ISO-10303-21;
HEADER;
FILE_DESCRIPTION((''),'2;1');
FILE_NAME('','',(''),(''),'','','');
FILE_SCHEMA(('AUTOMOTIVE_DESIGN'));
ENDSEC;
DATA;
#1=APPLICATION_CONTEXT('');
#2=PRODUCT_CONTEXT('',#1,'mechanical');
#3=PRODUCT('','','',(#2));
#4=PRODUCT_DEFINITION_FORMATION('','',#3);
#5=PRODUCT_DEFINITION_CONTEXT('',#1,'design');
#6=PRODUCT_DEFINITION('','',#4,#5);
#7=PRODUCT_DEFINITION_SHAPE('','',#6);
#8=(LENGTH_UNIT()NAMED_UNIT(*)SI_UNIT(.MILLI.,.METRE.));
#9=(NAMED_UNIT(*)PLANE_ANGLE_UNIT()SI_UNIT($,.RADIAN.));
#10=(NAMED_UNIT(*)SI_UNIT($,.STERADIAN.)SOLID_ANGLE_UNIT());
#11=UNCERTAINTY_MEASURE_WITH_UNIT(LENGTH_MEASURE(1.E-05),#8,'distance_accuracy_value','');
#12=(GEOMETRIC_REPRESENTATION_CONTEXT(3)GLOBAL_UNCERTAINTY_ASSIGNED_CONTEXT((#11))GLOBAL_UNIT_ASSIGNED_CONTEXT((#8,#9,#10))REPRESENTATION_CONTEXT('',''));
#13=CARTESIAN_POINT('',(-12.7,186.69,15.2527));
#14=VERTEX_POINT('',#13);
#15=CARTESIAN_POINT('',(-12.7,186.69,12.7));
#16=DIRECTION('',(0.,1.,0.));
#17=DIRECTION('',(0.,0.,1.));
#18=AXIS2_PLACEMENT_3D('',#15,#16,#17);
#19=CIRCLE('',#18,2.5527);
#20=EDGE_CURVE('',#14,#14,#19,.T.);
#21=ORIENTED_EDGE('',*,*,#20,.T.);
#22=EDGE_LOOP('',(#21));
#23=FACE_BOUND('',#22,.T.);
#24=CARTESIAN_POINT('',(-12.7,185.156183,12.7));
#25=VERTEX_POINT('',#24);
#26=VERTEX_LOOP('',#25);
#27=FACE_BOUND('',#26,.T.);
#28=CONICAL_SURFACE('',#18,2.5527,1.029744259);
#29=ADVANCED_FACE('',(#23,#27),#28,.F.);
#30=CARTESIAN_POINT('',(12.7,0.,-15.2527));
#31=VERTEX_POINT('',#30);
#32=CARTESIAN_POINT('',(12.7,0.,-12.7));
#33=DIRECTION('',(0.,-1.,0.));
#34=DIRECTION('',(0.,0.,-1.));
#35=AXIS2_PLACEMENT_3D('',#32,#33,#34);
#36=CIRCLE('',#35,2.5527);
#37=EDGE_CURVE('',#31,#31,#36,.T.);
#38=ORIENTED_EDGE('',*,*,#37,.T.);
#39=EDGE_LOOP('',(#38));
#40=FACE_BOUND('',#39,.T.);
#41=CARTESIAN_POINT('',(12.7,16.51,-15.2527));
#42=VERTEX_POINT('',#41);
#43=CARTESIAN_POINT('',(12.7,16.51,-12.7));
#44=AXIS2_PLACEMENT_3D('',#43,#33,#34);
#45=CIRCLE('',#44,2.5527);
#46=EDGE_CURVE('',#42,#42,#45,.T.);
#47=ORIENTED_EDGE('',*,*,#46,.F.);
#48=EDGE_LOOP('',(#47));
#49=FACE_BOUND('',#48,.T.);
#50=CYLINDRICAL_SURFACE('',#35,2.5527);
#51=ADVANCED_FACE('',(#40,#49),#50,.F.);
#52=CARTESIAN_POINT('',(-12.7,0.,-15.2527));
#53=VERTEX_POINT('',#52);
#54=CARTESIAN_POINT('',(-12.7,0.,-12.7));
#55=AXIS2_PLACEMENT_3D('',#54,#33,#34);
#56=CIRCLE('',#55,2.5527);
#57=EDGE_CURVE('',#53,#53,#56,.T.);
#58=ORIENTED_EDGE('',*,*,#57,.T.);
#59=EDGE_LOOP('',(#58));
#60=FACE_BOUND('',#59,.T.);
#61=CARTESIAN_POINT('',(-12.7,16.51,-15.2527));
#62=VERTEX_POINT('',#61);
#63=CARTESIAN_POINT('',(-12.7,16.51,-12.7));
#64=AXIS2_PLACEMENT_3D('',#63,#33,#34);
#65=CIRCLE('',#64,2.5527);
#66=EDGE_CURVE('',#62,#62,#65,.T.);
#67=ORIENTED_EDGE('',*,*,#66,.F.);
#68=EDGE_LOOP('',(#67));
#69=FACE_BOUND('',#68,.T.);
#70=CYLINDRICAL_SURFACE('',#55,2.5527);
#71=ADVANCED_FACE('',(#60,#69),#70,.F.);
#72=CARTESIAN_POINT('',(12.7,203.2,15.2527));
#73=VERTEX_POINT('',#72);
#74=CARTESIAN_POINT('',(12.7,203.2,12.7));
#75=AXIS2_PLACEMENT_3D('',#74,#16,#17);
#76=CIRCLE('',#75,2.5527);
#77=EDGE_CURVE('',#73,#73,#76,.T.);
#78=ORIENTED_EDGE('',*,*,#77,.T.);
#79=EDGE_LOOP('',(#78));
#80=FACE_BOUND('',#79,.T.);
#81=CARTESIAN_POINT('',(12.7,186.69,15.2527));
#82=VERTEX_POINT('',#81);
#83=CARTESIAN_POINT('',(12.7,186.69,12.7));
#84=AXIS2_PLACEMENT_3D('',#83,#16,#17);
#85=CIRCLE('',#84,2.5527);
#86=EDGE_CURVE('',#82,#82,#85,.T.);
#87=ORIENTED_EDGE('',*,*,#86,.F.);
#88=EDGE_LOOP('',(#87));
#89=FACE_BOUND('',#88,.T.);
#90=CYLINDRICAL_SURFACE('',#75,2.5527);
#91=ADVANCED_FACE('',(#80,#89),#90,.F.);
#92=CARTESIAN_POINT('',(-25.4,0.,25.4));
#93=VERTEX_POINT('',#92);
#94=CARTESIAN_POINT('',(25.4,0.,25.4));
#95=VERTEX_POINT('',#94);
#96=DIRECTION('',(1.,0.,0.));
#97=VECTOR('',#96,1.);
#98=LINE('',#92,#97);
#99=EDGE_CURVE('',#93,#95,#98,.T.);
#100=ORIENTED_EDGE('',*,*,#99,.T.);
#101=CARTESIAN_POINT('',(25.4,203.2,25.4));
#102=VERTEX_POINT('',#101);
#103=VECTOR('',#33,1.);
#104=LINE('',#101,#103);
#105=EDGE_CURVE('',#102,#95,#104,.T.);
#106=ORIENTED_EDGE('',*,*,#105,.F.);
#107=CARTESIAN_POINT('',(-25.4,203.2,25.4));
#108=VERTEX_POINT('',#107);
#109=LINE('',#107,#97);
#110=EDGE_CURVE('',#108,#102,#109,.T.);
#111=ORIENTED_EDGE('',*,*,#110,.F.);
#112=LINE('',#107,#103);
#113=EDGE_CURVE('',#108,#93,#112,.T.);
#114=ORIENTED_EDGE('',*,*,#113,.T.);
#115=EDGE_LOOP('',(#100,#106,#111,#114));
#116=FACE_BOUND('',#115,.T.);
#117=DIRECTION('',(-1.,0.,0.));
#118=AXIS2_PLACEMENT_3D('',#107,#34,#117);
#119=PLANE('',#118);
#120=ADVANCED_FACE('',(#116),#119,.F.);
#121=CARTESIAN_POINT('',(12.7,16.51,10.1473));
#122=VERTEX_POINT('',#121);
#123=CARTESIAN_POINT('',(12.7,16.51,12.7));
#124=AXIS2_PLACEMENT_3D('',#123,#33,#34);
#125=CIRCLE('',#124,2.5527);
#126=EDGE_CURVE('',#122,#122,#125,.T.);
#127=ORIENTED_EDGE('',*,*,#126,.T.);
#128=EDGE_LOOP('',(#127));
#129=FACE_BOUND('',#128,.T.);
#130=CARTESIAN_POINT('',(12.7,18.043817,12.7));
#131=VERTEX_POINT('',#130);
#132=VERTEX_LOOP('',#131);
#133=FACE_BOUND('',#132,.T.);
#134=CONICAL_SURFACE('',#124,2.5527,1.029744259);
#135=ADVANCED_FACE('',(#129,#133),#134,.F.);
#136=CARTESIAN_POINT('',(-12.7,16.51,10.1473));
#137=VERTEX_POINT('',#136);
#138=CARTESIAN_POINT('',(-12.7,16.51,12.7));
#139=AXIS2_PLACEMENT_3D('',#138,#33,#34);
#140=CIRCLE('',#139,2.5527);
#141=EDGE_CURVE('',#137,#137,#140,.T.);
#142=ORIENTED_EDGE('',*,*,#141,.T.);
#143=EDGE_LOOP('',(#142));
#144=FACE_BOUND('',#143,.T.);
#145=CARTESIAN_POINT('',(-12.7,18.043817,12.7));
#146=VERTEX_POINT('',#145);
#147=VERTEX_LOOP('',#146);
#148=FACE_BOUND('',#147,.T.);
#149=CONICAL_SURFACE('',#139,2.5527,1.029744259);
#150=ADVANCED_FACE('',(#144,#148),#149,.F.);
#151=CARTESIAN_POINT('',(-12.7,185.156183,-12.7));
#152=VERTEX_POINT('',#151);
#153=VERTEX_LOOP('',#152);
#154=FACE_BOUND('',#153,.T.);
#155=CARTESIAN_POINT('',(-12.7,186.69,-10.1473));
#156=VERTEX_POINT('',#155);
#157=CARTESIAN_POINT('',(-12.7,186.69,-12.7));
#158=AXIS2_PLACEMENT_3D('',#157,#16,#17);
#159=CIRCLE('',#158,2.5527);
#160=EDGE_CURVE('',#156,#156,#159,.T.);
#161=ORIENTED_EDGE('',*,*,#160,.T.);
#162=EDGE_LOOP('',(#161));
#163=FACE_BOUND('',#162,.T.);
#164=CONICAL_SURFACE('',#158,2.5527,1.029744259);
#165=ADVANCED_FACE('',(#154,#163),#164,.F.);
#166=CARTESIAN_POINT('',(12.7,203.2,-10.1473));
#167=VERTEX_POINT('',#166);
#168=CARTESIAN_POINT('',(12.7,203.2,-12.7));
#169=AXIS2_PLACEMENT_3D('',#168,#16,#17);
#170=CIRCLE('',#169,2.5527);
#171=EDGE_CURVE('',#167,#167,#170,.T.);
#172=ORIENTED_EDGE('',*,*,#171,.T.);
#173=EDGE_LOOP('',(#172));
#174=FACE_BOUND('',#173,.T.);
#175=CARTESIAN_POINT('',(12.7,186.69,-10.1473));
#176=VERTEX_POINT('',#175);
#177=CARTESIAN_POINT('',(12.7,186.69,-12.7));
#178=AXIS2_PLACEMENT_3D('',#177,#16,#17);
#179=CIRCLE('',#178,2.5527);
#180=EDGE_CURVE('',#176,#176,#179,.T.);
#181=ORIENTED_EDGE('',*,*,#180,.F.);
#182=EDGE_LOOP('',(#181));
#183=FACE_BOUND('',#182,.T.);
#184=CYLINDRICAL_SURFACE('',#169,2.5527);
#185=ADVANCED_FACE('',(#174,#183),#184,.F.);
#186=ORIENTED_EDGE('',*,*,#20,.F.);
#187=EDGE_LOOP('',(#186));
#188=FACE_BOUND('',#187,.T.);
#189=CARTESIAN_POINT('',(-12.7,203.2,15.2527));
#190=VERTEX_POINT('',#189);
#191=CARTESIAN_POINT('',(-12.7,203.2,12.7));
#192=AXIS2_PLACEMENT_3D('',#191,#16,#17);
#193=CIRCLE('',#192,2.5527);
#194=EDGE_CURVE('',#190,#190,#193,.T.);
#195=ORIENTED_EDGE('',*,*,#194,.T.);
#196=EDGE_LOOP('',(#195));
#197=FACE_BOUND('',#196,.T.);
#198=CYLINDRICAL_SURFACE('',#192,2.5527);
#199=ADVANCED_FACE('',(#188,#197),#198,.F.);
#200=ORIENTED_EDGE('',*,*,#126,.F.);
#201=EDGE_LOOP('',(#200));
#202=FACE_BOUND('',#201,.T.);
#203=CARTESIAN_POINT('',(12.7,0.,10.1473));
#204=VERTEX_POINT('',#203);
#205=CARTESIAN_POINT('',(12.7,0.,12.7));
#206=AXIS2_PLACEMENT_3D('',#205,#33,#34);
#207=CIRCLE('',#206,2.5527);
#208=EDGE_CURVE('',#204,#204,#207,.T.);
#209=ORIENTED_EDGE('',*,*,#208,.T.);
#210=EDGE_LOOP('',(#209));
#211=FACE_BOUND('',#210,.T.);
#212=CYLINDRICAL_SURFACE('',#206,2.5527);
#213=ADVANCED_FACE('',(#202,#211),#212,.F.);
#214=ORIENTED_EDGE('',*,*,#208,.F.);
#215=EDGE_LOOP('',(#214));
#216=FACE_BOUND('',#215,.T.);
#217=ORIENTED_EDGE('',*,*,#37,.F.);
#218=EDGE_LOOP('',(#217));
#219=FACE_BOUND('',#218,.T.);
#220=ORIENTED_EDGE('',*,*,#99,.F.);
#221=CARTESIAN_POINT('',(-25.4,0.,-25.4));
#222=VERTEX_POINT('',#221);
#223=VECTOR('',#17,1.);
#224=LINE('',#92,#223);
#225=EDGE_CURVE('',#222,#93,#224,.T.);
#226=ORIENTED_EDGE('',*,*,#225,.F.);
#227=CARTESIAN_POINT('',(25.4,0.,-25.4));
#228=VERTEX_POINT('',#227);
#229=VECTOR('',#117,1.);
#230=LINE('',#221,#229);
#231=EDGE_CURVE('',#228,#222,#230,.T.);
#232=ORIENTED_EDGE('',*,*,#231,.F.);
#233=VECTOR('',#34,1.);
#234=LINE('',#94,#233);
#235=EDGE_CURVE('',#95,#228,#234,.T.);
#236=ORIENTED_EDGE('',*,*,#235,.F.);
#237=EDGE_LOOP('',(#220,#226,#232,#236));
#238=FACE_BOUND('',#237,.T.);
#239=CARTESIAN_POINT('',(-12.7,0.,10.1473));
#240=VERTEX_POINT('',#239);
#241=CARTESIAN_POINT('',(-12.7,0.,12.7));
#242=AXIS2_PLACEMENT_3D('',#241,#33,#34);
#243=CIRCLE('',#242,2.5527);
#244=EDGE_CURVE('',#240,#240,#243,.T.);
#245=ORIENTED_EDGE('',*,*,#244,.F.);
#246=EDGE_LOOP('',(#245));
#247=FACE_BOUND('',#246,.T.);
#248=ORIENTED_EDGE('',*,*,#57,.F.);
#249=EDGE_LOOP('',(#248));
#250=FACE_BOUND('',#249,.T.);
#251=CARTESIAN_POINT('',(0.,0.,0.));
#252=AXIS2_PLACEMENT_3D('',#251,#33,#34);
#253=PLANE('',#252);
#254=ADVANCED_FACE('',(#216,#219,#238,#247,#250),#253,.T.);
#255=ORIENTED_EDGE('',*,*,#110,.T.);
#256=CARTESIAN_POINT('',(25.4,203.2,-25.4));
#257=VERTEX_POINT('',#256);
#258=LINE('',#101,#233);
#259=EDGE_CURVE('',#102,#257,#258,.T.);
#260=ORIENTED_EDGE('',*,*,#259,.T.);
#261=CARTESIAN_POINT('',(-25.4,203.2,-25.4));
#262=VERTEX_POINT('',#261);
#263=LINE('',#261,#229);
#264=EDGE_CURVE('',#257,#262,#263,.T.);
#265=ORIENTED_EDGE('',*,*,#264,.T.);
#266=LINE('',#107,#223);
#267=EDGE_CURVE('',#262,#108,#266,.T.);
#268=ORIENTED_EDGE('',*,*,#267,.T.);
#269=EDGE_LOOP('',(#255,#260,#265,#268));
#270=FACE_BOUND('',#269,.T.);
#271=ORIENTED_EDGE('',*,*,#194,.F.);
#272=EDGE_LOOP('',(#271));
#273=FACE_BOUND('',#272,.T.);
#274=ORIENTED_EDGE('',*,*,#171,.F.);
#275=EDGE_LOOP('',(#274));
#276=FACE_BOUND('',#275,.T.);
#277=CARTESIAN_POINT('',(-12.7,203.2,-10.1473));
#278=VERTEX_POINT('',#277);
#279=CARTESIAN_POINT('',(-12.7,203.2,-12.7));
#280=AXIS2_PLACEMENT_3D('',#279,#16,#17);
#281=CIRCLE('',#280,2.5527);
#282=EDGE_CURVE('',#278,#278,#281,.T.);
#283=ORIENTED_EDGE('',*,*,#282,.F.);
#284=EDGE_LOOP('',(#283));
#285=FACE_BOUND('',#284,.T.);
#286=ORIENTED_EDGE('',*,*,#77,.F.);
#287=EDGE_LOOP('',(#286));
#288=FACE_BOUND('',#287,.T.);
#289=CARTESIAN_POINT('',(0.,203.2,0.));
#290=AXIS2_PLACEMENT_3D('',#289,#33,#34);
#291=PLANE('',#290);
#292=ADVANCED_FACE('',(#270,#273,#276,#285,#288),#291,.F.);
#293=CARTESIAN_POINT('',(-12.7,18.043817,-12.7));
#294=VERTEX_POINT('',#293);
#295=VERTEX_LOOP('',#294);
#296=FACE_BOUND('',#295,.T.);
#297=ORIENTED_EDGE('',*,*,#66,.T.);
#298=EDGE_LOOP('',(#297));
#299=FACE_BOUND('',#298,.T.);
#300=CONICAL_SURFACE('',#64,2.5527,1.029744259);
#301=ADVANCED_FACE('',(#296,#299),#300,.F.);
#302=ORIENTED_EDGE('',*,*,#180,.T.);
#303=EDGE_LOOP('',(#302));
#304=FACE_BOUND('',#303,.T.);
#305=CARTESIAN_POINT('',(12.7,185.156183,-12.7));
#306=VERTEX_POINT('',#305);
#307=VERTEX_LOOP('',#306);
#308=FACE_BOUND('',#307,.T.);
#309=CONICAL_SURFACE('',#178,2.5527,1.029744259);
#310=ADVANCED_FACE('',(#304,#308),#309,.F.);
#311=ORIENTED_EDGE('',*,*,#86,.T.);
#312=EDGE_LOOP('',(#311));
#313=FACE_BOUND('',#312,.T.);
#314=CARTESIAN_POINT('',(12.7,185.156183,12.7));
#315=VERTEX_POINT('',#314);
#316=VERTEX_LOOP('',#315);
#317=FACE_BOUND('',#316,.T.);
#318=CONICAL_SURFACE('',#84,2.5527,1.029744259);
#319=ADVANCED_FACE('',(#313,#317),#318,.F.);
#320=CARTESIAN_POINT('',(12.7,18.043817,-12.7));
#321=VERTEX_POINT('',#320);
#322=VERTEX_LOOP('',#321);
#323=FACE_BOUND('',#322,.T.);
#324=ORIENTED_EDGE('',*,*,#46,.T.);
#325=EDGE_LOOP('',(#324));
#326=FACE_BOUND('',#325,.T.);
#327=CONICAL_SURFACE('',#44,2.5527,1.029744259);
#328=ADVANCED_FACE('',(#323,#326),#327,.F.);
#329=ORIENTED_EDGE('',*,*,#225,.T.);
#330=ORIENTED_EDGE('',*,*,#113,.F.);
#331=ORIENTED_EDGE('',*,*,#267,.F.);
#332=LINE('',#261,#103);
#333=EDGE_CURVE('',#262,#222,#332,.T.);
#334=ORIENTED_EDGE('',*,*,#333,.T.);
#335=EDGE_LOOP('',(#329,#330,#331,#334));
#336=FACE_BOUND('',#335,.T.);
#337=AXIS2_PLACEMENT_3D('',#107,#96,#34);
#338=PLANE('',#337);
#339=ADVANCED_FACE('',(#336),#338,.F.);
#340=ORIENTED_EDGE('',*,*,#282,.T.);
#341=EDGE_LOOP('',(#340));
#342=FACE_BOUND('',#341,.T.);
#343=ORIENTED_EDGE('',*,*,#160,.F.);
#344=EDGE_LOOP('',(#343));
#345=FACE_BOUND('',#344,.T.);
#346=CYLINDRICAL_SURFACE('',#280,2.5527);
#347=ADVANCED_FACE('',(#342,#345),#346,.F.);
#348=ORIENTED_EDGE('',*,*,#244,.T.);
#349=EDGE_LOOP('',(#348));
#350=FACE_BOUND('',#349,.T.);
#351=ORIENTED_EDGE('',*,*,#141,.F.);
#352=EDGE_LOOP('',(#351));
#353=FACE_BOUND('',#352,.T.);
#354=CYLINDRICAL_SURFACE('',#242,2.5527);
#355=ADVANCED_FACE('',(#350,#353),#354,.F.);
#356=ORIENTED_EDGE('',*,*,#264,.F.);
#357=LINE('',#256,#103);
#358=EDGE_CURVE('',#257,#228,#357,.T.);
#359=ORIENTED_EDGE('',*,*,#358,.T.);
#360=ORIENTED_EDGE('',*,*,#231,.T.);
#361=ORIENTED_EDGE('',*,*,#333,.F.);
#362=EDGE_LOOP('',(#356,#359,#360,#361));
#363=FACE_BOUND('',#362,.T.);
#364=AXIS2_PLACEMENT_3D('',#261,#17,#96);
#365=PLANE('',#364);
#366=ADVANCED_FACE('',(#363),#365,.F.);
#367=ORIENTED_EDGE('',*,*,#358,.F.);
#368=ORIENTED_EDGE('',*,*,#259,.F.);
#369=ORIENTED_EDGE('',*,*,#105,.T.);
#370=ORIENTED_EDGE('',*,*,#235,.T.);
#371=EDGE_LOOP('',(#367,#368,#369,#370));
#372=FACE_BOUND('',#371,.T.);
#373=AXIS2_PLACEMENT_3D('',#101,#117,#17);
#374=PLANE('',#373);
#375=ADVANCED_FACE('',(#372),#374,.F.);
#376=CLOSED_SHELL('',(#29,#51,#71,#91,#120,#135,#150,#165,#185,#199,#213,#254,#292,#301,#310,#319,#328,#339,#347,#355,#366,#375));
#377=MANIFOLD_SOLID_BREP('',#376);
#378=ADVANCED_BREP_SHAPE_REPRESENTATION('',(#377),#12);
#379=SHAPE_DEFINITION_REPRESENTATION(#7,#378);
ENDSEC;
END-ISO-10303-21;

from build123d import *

# Parameters (mm, degrees)
SKETCH1_W                   = 50.8
SKETCH1_H                   = 50.8
BOSS_EXTRUDE1_DEPTH         = 203.2
F_1_4_20_TAPPED_HOLE1_D     = 5.1054
F_1_4_20_TAPPED_HOLE1_DEPTH = 16.51
F_1_4_20_TAPPED_HOLE1_TIP   = 1.533816902
F_1_4_20_TAPPED_HOLE2_D     = 5.1054
F_1_4_20_TAPPED_HOLE2_DEPTH = 16.51
F_1_4_20_TAPPED_HOLE2_TIP   = 1.533816902


with BuildPart() as part:
    # Sketch1 → Boss-Extrude1 (new body)
    with BuildSketch(Plane(origin=(0, 0, 0), x_dir=(1, 0, 0), z_dir=(0, 1, 0))):
        Rectangle(SKETCH1_W, SKETCH1_H)
    extrude(amount=BOSS_EXTRUDE1_DEPTH)

    # 1/4-20 Tapped Hole1
    with Locations(Plane(origin=(0, 203.2, 0), x_dir=(1, 0, 0), z_dir=(0, 1, 0))):
        with Locations((-12.7, 12.7), (12.7, 12.7), (12.7, -12.7), (-12.7, -12.7)):
            Hole(F_1_4_20_TAPPED_HOLE1_D / 2, depth=F_1_4_20_TAPPED_HOLE1_DEPTH)
            with Locations((0, 0, -(F_1_4_20_TAPPED_HOLE1_DEPTH + F_1_4_20_TAPPED_HOLE1_TIP / 2))):  # 118° drill point
                Cone(0, F_1_4_20_TAPPED_HOLE1_D / 2, F_1_4_20_TAPPED_HOLE1_TIP, mode=Mode.SUBTRACT)

    # 1/4-20 Tapped Hole2
    with Locations(Plane(origin=(0, 0, 0), x_dir=(-1, 0, 0), z_dir=(0, -1, 0))):
        with Locations((-12.7, 12.7), (12.7, 12.7), (12.7, -12.7), (-12.7, -12.7)):
            Hole(F_1_4_20_TAPPED_HOLE2_D / 2, depth=F_1_4_20_TAPPED_HOLE2_DEPTH)
            with Locations((0, 0, -(F_1_4_20_TAPPED_HOLE2_DEPTH + F_1_4_20_TAPPED_HOLE2_TIP / 2))):  # 118° drill point
                Cone(0, F_1_4_20_TAPPED_HOLE2_D / 2, F_1_4_20_TAPPED_HOLE2_TIP, mode=Mode.SUBTRACT)


solid = part.part
